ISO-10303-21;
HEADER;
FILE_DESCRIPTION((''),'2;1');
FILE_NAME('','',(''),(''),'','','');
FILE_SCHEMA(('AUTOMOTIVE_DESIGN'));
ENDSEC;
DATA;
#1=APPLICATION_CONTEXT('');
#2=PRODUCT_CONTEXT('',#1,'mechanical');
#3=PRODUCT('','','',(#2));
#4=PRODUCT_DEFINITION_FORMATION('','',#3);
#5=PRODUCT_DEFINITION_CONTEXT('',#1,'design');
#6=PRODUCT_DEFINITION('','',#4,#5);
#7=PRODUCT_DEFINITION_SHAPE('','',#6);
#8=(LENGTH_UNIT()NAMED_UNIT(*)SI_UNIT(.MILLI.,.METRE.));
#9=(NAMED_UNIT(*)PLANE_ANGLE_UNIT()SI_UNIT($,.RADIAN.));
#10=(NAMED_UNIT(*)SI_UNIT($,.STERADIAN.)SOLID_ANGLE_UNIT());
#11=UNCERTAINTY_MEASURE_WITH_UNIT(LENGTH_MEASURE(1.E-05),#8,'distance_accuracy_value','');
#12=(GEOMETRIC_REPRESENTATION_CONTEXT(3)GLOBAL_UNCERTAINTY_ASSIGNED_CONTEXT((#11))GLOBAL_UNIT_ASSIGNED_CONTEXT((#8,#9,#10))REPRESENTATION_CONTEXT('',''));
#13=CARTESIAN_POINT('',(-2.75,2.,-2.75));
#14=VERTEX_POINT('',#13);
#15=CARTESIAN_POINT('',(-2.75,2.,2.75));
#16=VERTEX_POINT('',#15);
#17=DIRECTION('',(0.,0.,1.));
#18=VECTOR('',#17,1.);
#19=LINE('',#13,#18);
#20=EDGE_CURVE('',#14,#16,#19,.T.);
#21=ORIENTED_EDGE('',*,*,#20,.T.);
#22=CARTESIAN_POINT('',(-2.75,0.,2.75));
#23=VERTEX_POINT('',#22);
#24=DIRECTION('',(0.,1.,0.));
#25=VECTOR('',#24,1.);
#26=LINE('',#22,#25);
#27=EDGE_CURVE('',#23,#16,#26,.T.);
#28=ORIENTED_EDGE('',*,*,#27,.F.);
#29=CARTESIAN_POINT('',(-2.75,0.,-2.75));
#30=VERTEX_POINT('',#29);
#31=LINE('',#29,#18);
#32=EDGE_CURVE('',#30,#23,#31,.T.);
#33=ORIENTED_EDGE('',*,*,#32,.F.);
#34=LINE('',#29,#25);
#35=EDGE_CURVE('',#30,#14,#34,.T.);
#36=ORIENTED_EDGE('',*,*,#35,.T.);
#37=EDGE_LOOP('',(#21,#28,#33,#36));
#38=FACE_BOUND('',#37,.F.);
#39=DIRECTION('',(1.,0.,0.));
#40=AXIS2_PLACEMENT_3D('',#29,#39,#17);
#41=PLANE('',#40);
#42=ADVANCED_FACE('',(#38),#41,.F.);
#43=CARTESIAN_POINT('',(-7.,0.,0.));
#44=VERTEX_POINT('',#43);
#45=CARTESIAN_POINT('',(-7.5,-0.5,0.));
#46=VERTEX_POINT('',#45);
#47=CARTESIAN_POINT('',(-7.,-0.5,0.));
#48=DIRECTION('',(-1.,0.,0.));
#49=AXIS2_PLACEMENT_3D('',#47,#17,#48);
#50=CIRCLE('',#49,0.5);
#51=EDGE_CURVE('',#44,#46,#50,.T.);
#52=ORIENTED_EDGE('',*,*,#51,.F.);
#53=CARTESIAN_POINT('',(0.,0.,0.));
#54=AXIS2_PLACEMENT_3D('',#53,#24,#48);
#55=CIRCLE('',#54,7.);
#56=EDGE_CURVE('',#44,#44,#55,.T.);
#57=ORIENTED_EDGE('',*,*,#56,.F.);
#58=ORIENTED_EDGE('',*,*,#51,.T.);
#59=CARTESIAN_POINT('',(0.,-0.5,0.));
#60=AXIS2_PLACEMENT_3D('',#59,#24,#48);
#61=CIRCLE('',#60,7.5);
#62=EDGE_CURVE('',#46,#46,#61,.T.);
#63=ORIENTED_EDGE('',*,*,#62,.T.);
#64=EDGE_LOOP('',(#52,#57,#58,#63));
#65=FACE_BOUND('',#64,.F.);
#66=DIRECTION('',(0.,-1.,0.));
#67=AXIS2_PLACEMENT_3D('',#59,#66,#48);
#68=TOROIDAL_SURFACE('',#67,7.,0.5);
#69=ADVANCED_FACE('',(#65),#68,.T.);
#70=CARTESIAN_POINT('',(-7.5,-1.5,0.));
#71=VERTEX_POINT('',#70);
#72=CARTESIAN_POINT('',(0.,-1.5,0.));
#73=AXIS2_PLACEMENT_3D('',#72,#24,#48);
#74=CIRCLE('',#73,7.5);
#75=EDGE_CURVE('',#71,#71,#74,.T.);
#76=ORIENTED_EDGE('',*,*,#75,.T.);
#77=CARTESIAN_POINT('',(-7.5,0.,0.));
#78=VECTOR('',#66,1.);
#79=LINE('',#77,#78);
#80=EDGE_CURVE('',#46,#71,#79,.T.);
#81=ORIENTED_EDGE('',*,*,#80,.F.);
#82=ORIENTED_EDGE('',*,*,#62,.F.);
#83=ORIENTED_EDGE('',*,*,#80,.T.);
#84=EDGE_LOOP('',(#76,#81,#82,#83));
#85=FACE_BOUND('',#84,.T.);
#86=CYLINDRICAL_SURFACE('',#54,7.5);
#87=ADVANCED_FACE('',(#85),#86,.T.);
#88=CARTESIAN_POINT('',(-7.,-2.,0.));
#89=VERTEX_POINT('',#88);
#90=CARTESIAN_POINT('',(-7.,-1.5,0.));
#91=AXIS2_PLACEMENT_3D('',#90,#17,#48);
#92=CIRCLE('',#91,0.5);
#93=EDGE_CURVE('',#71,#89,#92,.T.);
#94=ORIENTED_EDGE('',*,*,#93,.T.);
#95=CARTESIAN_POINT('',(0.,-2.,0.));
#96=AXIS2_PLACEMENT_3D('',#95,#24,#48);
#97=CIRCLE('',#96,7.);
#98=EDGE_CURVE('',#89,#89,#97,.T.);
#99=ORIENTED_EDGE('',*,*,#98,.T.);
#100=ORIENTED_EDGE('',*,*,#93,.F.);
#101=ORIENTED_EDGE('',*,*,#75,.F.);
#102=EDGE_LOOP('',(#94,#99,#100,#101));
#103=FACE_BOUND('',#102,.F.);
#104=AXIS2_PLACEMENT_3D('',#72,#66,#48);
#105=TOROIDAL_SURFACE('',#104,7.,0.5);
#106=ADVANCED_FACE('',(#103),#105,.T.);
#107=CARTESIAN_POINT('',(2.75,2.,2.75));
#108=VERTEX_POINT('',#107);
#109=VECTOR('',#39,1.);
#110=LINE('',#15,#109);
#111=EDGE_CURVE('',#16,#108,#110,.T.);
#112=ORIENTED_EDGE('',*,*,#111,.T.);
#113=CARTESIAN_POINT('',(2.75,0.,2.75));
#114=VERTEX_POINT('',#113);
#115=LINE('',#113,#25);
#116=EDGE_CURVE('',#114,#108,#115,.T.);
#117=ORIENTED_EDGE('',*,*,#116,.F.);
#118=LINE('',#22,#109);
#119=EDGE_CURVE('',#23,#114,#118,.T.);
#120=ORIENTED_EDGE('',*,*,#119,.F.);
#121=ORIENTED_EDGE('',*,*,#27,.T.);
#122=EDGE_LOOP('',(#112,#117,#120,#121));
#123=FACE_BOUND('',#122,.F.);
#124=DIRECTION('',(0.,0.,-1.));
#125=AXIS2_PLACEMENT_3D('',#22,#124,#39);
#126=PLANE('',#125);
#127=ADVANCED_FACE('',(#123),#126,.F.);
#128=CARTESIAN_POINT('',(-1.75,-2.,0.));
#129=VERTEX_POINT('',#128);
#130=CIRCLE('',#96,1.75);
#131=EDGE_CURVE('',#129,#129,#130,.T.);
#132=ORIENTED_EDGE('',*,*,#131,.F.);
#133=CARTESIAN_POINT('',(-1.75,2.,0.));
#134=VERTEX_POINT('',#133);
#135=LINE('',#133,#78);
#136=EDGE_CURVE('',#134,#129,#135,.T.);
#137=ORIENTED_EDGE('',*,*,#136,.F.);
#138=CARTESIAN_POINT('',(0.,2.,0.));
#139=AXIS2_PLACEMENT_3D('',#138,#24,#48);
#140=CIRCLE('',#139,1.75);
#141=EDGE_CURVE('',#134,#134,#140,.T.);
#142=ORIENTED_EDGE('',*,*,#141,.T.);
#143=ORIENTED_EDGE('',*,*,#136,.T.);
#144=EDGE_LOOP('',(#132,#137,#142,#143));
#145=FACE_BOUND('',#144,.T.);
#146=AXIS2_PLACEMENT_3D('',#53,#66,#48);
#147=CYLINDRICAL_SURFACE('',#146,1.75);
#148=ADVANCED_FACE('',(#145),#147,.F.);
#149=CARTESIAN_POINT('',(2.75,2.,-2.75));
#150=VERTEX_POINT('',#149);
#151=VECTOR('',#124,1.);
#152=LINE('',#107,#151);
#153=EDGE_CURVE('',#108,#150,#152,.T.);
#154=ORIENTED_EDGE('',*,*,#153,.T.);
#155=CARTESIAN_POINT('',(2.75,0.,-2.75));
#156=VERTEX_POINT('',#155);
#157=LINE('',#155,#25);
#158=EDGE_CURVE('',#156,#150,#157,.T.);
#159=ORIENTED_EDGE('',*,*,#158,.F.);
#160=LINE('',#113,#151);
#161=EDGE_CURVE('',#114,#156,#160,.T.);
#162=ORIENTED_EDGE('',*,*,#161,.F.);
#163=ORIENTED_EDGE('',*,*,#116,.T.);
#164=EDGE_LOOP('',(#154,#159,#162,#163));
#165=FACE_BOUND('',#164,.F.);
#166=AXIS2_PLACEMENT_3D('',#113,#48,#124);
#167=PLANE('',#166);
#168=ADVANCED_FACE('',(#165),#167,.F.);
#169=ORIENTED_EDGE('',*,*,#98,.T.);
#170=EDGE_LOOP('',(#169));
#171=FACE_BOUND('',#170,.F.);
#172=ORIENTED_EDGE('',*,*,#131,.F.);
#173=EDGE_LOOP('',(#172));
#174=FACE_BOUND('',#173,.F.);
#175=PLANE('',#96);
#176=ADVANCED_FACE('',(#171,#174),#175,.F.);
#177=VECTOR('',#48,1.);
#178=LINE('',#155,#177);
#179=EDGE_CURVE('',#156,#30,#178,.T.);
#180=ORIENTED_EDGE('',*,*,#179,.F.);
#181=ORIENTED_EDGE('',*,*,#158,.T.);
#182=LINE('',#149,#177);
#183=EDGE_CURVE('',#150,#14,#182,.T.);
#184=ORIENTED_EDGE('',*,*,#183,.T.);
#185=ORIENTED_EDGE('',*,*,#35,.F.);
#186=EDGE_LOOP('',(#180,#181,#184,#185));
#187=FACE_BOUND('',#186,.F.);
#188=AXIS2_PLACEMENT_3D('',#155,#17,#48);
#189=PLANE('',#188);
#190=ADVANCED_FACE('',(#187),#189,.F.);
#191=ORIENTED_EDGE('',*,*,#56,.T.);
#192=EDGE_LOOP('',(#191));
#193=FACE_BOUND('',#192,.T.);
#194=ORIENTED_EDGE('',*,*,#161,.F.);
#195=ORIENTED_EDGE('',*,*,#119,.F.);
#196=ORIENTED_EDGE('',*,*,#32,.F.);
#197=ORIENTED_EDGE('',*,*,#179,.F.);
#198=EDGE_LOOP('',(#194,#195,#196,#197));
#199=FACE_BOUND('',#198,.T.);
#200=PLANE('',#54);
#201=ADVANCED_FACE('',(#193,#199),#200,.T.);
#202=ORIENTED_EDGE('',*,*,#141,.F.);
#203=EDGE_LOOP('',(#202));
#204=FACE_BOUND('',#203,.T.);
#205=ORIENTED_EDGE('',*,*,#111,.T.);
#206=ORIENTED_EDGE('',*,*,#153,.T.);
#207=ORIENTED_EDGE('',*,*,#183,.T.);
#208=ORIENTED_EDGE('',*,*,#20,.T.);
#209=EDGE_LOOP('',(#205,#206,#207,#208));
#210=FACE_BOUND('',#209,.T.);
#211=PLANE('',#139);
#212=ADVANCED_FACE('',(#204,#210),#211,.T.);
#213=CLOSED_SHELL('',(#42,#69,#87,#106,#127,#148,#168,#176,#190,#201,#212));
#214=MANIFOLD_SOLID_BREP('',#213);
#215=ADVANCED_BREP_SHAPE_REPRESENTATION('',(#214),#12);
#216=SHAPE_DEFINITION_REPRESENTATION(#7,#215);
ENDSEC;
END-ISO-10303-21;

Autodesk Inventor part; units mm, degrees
ref_plane "YZ Plane" through (0, 0, 0) normal (1, 0, 0) x (0, 1, 0)
ref_plane "XZ Plane" through (0, 0, 0) normal (0, 1, 0) x (-1, 0, 0)
ref_plane "XY Plane" through (0, 0, 0) normal (0, 0, 1) x (1, 0, 0)
sketch "Sketch1" plane through (0, 0, 0) normal (0, 1, 0) x (-1, 0, 0)
  circle A0 centre (0, 0) radius 1.75
  circle A1 centre (0, 0) radius 7.5
  line L0 (-2.75, -2.75) -> (2.75, -2.75)
  line L1 (2.75, -2.75) -> (2.75, 2.75)
  line L2 (2.75, 2.75) -> (-2.75, 2.75)
  line L3 (-2.75, 2.75) -> (-2.75, -2.75)
  line L4 (-2.75, -2.75) -> (2.75, 2.75) construction
  line L5 (2.75, -2.75) -> (-2.75, 2.75) construction
  dimension "d1" = 3.5
  dimension "d2" = 15
  dimension "d3" = 5.5
  dimension "d4" = 5.5
extrude "Extrusion1" add sketch "Sketch1" along normal blind 2 contours L3 L2 L1 L0
extrude "Extrusion2" add sketch "Sketch1" against normal blind 2 contours A1 | L3 L2 L1 L0
fillet "Fillet1" radius 0.5 2 edges at (7.5, 0, 0) (7.5, -2, 0)
equation "\"d2\" = CapDiameter"
equation "\"d5\" = PIVOT_DEPTH"
equation "\"d7\" = CapHeight"
equation "\"CapDiameter\" = 15"
equation "\"CapHeight\" = 2"
equation "\"PIVOT_DEPTH\" = 2"
properties part number "FrictionCap"
